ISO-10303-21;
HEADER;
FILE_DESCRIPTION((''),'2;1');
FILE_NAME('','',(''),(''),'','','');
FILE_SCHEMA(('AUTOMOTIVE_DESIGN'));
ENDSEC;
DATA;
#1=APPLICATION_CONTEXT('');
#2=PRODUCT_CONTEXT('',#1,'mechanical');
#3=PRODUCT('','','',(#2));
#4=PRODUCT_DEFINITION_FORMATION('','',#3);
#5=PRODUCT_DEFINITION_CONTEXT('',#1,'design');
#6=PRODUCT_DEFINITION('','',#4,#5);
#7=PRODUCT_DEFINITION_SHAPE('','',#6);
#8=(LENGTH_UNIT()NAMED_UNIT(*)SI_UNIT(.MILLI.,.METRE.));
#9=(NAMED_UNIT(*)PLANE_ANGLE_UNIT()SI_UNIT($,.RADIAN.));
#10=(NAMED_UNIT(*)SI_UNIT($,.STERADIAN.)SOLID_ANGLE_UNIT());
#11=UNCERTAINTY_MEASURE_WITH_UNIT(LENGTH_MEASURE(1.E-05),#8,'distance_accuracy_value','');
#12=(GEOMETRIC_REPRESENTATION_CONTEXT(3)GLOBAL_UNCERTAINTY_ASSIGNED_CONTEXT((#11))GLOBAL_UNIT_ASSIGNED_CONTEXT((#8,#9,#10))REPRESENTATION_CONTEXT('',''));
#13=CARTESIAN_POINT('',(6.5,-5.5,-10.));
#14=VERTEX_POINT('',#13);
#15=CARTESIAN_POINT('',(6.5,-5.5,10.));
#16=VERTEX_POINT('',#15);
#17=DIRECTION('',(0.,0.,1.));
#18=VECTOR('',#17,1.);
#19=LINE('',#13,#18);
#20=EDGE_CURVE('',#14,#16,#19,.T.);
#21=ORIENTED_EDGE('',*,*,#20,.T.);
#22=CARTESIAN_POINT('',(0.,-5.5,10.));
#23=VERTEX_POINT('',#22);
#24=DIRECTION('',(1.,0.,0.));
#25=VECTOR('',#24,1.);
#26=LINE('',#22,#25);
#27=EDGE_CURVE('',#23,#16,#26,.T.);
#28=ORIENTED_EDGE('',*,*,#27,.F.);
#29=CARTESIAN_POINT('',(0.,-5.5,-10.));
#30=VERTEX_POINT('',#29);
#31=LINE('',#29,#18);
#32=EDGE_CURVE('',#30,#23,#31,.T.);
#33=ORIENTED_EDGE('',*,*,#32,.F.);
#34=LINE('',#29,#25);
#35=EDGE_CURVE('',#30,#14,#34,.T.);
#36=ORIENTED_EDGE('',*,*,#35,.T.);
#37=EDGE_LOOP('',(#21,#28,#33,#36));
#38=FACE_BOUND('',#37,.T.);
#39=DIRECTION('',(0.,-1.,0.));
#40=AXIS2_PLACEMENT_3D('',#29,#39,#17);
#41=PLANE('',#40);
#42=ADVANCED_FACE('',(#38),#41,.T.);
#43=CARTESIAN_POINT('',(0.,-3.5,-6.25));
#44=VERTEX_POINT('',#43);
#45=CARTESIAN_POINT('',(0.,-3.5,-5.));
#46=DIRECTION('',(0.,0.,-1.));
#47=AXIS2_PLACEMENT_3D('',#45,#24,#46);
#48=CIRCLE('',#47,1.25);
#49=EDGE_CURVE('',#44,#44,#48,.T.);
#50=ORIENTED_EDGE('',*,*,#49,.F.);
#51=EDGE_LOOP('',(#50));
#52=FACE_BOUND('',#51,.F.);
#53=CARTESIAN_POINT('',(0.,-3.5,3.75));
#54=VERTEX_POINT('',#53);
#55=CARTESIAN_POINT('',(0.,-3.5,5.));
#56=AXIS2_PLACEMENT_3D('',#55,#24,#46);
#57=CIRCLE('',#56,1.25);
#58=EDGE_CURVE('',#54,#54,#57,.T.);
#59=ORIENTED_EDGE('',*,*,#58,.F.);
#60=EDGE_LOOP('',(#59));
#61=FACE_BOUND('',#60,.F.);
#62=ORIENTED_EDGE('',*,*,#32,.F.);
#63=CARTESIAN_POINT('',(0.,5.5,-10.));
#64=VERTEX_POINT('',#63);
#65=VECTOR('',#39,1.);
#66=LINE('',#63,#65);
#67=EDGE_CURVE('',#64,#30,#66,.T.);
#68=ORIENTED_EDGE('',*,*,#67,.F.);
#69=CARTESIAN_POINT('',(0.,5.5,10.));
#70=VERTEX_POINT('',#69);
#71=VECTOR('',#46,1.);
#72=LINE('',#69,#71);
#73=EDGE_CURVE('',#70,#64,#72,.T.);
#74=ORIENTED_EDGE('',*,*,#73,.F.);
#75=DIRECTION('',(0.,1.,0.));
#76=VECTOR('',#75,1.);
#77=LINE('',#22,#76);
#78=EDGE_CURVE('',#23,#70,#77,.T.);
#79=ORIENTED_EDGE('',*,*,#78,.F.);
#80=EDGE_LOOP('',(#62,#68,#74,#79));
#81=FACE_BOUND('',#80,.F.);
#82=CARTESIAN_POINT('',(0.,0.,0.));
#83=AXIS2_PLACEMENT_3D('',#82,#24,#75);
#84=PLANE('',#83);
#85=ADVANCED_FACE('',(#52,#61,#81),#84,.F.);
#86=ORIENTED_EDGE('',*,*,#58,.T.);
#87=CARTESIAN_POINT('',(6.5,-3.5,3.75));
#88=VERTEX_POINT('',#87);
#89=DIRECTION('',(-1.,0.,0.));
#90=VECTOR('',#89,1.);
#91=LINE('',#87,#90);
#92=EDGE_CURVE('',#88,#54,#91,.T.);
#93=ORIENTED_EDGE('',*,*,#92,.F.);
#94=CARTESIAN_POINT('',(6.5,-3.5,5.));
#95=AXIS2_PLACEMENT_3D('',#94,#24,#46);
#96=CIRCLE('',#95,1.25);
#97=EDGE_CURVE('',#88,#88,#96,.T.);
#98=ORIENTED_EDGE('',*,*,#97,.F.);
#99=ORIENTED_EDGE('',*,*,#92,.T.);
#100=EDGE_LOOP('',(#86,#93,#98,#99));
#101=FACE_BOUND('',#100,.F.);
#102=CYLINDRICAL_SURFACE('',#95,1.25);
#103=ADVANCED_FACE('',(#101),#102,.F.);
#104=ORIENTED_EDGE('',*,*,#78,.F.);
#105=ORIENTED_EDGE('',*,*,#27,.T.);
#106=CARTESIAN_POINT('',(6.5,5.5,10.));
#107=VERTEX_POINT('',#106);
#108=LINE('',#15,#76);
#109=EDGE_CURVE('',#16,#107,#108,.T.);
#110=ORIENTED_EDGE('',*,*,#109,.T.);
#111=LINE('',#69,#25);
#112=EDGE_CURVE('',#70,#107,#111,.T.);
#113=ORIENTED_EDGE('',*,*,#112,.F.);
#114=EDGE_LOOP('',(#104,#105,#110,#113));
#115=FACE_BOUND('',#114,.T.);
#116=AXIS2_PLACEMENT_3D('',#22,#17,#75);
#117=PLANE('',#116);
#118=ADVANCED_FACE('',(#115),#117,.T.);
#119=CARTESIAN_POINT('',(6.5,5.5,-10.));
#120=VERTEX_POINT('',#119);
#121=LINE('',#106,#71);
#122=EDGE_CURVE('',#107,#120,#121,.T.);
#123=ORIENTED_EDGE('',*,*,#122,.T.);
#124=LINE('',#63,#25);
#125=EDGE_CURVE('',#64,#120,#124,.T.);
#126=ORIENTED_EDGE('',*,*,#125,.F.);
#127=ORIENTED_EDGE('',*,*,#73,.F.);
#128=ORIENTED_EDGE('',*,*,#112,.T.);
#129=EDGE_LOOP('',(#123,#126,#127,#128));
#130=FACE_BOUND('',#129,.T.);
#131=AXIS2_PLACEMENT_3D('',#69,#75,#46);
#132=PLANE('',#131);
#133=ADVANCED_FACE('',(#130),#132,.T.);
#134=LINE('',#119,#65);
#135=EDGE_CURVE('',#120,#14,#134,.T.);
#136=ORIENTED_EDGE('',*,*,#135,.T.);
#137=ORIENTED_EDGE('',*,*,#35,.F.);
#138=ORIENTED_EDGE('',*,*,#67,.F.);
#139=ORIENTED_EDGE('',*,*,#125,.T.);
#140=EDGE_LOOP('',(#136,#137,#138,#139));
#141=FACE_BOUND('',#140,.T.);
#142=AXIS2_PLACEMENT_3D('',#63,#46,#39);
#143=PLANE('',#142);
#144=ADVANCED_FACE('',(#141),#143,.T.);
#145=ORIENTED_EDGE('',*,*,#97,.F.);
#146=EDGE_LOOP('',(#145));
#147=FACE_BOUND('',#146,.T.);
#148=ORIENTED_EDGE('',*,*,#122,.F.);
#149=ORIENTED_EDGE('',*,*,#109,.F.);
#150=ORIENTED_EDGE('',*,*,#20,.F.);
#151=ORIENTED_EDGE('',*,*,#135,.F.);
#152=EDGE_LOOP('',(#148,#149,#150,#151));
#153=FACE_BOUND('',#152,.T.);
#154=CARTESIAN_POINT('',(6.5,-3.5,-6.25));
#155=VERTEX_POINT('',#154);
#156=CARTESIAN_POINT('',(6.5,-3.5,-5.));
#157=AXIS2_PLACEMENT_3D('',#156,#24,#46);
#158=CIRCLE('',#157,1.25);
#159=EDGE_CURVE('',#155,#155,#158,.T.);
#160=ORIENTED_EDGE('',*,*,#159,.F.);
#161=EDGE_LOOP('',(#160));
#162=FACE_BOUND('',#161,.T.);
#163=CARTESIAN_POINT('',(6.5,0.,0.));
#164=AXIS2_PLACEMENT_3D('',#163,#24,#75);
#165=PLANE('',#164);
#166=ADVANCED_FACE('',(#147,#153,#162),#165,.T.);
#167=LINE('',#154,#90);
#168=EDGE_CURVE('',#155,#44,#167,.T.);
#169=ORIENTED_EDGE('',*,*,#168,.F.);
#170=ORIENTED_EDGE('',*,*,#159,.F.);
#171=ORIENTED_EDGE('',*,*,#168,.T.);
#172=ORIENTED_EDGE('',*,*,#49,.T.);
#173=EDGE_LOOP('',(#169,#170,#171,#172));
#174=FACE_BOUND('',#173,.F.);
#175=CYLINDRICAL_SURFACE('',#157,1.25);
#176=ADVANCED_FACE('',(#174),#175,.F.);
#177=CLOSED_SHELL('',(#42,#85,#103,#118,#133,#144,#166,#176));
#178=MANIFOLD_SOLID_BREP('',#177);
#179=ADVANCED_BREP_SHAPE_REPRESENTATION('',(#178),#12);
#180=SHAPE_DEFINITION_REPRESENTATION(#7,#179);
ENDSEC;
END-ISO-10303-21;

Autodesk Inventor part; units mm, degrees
ref_plane "YZ Plane" through (0, 0, 0) normal (1, 0, 0) x (0, 1, 0)
ref_plane "XZ Plane" through (0, 0, 0) normal (0, 1, 0) x (-1, 0, 0)
ref_plane "XY Plane" through (0, 0, 0) normal (0, 0, 1) x (1, 0, 0)
sketch "Szkic1" plane through (0, 0, 0) normal (1, 0, 0) x (0, 1, 0)
  line L0 (-5.5, 10) -> (5.5, 10)
  line L1 (5.5, 10) -> (5.5, -10)
  line L2 (5.5, -10) -> (-5.5, -10)
  line L3 (-5.5, -10) -> (-5.5, 10)
  line L4 (-5.5, 10) -> (5.5, -10) construction
  line L5 (5.5, 10) -> (-5.5, -10) construction
  point P0 (0, 0)
  dimension "d0" = 20
  dimension "d1" = 11
extrude "Wyciągnięcie proste1" add sketch "Szkic1" along normal blind 6.5
sketch "Szkic2" plane through (6.5, 0, 0) normal (1, 0, 0) x (0, 0, -1)
  line L0 (-9.9535, -3.5) -> (10, -3.5) construction
  line L1 (10, -5.5) -> (10, 5.5) projected
  line L2 (-10, -5.5) -> (10, -5.5) projected
  circle A0 centre (-5, -3.5) radius 1.25
  circle A1 centre (5, -3.5) radius 1.25
  line L3 (-10, 5.5) -> (-10, -5.5) projected
  point P0 (0, 0)
  dimension "d4" = 2
  dimension "d5" = 5
  dimension "d6" = 5
  dimension "d7" = 2.5
  dimension "d8" = 2.5
extrude "Wyciągnięcie proste2" cut sketch "Szkic2" against normal through all
properties part number "Stop_sw" material "Tworzywo sztuczne ABS"
